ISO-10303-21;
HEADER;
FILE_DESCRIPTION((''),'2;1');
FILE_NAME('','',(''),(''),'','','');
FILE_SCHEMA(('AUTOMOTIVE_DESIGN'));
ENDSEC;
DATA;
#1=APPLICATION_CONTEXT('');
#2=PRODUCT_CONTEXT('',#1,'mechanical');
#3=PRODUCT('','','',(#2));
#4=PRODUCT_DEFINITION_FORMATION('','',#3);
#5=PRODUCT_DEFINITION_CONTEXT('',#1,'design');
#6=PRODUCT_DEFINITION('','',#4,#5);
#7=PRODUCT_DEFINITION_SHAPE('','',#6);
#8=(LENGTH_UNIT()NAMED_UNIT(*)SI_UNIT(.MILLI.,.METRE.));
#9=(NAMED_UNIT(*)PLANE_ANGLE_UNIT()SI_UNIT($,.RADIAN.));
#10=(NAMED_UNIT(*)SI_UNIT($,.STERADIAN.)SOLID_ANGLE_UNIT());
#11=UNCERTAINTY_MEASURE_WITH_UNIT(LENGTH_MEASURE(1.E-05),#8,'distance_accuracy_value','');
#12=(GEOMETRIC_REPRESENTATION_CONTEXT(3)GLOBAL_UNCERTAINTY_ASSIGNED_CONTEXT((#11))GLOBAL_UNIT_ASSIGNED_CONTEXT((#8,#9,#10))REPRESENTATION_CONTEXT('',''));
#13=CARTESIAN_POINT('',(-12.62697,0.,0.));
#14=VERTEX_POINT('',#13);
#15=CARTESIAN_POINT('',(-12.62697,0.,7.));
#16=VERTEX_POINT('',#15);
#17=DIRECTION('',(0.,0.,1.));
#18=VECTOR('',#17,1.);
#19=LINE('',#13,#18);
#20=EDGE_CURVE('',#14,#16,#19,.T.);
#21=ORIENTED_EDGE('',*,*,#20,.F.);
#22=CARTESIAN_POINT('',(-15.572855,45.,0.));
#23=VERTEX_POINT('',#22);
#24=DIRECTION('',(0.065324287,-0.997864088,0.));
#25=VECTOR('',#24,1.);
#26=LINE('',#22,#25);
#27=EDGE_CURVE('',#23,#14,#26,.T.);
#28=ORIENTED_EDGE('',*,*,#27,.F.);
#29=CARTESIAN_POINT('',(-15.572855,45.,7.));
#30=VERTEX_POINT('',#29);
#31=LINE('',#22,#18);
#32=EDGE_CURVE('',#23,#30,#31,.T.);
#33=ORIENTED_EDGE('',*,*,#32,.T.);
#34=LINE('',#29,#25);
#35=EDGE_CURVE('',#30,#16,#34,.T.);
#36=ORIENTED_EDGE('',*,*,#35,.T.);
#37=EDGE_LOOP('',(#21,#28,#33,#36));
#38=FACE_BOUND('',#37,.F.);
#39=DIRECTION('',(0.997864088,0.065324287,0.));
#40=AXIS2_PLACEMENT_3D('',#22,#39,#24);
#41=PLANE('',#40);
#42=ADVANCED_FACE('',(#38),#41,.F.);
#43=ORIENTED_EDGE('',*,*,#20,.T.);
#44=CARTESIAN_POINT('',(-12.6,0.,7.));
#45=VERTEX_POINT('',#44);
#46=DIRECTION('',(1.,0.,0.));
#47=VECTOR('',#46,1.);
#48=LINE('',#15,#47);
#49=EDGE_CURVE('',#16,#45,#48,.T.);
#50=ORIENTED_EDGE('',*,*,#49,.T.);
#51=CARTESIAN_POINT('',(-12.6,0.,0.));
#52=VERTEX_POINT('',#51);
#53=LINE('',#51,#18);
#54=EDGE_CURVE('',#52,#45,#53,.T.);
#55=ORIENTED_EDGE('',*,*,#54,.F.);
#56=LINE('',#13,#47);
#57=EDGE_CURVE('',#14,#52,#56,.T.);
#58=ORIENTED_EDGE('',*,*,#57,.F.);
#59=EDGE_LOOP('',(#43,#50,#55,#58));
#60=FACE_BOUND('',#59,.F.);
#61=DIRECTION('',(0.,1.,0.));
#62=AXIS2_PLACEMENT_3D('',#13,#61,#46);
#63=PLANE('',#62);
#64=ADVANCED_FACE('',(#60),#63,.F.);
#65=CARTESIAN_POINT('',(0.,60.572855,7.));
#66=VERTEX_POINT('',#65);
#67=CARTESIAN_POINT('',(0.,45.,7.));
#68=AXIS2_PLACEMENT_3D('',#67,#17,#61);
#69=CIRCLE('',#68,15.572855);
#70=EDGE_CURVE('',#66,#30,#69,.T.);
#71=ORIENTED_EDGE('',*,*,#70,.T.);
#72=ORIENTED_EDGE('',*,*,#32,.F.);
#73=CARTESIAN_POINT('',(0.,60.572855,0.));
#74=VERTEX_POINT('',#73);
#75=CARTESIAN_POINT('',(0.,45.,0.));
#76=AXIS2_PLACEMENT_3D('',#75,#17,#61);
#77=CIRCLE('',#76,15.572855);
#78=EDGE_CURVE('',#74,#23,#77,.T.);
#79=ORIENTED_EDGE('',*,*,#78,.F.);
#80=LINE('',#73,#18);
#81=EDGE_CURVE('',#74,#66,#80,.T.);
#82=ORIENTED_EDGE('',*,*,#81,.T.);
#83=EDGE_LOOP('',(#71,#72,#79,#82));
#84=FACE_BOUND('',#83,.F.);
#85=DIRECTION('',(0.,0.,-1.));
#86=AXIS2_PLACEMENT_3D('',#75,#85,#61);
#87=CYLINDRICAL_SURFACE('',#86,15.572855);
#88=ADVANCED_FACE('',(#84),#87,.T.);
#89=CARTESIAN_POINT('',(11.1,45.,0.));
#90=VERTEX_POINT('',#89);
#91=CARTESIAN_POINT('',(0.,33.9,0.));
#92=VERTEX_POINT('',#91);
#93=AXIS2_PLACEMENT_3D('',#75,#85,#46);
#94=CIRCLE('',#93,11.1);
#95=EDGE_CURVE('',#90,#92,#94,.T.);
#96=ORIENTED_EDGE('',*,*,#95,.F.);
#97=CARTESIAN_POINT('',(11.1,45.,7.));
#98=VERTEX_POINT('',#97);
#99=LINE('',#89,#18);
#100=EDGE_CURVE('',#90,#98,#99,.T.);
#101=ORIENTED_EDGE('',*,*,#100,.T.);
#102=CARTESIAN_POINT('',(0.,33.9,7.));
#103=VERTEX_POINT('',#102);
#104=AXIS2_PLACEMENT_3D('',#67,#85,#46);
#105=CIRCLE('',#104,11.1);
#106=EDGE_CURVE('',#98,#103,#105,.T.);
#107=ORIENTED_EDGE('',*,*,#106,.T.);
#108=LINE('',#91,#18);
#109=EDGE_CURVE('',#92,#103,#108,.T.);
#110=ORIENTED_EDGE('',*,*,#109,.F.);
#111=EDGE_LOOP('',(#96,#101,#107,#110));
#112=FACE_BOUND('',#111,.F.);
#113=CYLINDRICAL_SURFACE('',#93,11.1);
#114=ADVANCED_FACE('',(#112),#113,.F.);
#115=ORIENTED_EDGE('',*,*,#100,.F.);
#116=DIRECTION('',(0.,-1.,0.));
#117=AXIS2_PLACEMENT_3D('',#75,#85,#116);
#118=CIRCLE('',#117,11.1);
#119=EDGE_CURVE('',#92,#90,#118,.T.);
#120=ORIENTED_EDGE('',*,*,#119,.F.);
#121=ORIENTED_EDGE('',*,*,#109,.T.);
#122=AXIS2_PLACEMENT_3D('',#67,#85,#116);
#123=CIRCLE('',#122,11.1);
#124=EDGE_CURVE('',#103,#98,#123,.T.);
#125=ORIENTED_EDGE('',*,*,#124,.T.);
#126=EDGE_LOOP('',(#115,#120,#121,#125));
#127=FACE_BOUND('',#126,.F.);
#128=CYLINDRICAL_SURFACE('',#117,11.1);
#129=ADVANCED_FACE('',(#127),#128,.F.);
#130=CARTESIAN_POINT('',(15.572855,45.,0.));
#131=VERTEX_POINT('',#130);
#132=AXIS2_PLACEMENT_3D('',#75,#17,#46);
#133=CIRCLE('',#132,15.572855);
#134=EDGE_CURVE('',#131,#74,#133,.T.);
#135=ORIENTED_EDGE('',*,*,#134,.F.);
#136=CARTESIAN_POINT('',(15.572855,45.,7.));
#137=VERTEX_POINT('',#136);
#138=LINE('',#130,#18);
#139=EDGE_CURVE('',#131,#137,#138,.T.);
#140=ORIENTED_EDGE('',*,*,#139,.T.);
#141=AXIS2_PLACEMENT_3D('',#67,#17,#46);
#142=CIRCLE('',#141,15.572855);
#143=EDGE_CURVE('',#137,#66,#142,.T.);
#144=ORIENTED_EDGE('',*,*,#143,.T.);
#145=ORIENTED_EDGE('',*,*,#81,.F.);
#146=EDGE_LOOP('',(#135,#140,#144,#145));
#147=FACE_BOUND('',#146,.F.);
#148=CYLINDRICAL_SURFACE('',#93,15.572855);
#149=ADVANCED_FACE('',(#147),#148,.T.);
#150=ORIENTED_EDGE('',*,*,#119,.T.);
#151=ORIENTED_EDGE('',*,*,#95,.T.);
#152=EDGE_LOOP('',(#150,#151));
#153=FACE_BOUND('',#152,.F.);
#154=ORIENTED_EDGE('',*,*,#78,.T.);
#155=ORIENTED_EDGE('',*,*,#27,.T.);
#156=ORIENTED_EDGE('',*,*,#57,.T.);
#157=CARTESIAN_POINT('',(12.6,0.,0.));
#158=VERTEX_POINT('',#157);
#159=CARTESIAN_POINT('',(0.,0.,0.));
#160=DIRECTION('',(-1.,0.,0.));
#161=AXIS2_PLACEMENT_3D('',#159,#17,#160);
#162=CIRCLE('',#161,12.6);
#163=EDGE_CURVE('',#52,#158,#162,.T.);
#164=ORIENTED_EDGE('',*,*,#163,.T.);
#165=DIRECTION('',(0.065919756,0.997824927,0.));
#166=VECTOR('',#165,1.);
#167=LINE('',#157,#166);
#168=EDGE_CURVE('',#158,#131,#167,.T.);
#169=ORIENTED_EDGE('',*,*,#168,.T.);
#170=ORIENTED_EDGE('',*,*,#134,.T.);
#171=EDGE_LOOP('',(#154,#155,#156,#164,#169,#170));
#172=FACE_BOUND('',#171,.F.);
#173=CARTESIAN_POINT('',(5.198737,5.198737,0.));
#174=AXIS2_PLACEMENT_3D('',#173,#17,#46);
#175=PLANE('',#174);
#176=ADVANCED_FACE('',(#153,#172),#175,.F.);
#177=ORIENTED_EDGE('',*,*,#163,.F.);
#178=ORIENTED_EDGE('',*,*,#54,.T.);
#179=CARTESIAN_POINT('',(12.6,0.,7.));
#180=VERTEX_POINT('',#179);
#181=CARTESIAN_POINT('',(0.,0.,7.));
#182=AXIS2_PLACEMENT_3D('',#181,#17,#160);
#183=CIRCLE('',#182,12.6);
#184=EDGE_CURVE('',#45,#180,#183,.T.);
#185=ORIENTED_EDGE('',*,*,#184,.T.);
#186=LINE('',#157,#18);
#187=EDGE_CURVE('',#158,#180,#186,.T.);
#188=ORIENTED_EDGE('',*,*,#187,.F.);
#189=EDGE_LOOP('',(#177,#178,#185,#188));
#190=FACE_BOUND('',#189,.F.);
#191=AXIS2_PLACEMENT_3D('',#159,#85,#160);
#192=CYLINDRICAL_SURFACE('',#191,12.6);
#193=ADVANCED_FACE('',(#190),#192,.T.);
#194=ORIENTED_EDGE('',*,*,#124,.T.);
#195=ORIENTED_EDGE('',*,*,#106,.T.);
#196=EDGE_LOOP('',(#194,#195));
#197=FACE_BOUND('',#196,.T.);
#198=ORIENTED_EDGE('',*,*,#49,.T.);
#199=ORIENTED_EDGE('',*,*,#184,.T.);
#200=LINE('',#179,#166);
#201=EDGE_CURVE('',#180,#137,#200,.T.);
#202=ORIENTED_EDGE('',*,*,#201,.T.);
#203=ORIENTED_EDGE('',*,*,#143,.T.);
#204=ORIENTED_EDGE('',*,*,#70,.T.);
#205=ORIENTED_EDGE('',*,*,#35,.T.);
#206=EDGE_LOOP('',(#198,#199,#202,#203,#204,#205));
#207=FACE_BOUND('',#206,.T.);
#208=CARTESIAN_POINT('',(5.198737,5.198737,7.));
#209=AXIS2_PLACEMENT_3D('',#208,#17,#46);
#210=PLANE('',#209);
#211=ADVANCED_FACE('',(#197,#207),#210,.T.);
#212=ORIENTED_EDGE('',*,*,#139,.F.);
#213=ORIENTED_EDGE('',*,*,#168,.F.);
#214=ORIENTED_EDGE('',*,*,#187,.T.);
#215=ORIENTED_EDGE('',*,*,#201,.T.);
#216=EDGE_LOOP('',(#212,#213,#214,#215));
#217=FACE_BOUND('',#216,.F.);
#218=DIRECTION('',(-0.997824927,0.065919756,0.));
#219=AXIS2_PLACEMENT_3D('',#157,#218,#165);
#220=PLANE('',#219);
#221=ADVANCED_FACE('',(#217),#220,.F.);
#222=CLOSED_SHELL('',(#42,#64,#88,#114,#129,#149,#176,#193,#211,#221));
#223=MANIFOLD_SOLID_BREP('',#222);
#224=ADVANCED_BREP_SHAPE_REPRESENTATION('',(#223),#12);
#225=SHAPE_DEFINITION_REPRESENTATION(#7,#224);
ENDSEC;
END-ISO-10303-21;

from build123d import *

# Parameters (mm, degrees)
F1_DEPTH = 7


with BuildPart() as f1:
    # F0 (on Top) → F1 (new body)
    with BuildSketch(Plane.XY):
        with BuildLine():
            Line((0, 0), (12.6, 0))
            ThreePointArc((12.6, 0), (8.909545443, 8.909545443), (0, 12.6))
            Line((0, 12.6), (0, 0))
        make_face()
        with BuildLine():
            ThreePointArc((-12.6, 0), (0, -12.6), (12.6, 0))
            Line((12.6, 0), (0, 0))
            Line((0, 0), (-12.6, 0))
        make_face()
        with BuildLine():
            ThreePointArc((0, 12.6), (8.909545443, 8.909545443), (12.6, 0))
            Line((12.6, 0), (15.5728551745, 45))
            ThreePointArc((15.5728551745, 45), (11.0116714964, 56.0116714964), (0, 60.5728551745))
            ThreePointArc((0, 60.5728551745), (-11.0116714964, 56.0116714964), (-15.5728551745, 45))
            Line((-15.5728551745, 45), (-12.6269701008, 0))
            Line((-12.6269701008, 0), (-12.6, 0))
            ThreePointArc((-12.6, 0), (-8.909545443, 8.909545443), (0, 12.6))
        make_face()
        with BuildLine():
            ThreePointArc((11.1, 45), (7.8488852712, 37.1511147288), (0, 33.9))
            ThreePointArc((0, 33.9), (-7.8488852712, 52.8488852712), (11.1, 45))
        make_face(mode=Mode.SUBTRACT)
        with BuildLine():
            Line((0, 0), (0, 12.6))
            ThreePointArc((0, 12.6), (-8.909545443, 8.909545443), (-12.6, 0))
            Line((-12.6, 0), (0, 0))
        make_face()
    extrude(amount=F1_DEPTH)


solid = f1.part
